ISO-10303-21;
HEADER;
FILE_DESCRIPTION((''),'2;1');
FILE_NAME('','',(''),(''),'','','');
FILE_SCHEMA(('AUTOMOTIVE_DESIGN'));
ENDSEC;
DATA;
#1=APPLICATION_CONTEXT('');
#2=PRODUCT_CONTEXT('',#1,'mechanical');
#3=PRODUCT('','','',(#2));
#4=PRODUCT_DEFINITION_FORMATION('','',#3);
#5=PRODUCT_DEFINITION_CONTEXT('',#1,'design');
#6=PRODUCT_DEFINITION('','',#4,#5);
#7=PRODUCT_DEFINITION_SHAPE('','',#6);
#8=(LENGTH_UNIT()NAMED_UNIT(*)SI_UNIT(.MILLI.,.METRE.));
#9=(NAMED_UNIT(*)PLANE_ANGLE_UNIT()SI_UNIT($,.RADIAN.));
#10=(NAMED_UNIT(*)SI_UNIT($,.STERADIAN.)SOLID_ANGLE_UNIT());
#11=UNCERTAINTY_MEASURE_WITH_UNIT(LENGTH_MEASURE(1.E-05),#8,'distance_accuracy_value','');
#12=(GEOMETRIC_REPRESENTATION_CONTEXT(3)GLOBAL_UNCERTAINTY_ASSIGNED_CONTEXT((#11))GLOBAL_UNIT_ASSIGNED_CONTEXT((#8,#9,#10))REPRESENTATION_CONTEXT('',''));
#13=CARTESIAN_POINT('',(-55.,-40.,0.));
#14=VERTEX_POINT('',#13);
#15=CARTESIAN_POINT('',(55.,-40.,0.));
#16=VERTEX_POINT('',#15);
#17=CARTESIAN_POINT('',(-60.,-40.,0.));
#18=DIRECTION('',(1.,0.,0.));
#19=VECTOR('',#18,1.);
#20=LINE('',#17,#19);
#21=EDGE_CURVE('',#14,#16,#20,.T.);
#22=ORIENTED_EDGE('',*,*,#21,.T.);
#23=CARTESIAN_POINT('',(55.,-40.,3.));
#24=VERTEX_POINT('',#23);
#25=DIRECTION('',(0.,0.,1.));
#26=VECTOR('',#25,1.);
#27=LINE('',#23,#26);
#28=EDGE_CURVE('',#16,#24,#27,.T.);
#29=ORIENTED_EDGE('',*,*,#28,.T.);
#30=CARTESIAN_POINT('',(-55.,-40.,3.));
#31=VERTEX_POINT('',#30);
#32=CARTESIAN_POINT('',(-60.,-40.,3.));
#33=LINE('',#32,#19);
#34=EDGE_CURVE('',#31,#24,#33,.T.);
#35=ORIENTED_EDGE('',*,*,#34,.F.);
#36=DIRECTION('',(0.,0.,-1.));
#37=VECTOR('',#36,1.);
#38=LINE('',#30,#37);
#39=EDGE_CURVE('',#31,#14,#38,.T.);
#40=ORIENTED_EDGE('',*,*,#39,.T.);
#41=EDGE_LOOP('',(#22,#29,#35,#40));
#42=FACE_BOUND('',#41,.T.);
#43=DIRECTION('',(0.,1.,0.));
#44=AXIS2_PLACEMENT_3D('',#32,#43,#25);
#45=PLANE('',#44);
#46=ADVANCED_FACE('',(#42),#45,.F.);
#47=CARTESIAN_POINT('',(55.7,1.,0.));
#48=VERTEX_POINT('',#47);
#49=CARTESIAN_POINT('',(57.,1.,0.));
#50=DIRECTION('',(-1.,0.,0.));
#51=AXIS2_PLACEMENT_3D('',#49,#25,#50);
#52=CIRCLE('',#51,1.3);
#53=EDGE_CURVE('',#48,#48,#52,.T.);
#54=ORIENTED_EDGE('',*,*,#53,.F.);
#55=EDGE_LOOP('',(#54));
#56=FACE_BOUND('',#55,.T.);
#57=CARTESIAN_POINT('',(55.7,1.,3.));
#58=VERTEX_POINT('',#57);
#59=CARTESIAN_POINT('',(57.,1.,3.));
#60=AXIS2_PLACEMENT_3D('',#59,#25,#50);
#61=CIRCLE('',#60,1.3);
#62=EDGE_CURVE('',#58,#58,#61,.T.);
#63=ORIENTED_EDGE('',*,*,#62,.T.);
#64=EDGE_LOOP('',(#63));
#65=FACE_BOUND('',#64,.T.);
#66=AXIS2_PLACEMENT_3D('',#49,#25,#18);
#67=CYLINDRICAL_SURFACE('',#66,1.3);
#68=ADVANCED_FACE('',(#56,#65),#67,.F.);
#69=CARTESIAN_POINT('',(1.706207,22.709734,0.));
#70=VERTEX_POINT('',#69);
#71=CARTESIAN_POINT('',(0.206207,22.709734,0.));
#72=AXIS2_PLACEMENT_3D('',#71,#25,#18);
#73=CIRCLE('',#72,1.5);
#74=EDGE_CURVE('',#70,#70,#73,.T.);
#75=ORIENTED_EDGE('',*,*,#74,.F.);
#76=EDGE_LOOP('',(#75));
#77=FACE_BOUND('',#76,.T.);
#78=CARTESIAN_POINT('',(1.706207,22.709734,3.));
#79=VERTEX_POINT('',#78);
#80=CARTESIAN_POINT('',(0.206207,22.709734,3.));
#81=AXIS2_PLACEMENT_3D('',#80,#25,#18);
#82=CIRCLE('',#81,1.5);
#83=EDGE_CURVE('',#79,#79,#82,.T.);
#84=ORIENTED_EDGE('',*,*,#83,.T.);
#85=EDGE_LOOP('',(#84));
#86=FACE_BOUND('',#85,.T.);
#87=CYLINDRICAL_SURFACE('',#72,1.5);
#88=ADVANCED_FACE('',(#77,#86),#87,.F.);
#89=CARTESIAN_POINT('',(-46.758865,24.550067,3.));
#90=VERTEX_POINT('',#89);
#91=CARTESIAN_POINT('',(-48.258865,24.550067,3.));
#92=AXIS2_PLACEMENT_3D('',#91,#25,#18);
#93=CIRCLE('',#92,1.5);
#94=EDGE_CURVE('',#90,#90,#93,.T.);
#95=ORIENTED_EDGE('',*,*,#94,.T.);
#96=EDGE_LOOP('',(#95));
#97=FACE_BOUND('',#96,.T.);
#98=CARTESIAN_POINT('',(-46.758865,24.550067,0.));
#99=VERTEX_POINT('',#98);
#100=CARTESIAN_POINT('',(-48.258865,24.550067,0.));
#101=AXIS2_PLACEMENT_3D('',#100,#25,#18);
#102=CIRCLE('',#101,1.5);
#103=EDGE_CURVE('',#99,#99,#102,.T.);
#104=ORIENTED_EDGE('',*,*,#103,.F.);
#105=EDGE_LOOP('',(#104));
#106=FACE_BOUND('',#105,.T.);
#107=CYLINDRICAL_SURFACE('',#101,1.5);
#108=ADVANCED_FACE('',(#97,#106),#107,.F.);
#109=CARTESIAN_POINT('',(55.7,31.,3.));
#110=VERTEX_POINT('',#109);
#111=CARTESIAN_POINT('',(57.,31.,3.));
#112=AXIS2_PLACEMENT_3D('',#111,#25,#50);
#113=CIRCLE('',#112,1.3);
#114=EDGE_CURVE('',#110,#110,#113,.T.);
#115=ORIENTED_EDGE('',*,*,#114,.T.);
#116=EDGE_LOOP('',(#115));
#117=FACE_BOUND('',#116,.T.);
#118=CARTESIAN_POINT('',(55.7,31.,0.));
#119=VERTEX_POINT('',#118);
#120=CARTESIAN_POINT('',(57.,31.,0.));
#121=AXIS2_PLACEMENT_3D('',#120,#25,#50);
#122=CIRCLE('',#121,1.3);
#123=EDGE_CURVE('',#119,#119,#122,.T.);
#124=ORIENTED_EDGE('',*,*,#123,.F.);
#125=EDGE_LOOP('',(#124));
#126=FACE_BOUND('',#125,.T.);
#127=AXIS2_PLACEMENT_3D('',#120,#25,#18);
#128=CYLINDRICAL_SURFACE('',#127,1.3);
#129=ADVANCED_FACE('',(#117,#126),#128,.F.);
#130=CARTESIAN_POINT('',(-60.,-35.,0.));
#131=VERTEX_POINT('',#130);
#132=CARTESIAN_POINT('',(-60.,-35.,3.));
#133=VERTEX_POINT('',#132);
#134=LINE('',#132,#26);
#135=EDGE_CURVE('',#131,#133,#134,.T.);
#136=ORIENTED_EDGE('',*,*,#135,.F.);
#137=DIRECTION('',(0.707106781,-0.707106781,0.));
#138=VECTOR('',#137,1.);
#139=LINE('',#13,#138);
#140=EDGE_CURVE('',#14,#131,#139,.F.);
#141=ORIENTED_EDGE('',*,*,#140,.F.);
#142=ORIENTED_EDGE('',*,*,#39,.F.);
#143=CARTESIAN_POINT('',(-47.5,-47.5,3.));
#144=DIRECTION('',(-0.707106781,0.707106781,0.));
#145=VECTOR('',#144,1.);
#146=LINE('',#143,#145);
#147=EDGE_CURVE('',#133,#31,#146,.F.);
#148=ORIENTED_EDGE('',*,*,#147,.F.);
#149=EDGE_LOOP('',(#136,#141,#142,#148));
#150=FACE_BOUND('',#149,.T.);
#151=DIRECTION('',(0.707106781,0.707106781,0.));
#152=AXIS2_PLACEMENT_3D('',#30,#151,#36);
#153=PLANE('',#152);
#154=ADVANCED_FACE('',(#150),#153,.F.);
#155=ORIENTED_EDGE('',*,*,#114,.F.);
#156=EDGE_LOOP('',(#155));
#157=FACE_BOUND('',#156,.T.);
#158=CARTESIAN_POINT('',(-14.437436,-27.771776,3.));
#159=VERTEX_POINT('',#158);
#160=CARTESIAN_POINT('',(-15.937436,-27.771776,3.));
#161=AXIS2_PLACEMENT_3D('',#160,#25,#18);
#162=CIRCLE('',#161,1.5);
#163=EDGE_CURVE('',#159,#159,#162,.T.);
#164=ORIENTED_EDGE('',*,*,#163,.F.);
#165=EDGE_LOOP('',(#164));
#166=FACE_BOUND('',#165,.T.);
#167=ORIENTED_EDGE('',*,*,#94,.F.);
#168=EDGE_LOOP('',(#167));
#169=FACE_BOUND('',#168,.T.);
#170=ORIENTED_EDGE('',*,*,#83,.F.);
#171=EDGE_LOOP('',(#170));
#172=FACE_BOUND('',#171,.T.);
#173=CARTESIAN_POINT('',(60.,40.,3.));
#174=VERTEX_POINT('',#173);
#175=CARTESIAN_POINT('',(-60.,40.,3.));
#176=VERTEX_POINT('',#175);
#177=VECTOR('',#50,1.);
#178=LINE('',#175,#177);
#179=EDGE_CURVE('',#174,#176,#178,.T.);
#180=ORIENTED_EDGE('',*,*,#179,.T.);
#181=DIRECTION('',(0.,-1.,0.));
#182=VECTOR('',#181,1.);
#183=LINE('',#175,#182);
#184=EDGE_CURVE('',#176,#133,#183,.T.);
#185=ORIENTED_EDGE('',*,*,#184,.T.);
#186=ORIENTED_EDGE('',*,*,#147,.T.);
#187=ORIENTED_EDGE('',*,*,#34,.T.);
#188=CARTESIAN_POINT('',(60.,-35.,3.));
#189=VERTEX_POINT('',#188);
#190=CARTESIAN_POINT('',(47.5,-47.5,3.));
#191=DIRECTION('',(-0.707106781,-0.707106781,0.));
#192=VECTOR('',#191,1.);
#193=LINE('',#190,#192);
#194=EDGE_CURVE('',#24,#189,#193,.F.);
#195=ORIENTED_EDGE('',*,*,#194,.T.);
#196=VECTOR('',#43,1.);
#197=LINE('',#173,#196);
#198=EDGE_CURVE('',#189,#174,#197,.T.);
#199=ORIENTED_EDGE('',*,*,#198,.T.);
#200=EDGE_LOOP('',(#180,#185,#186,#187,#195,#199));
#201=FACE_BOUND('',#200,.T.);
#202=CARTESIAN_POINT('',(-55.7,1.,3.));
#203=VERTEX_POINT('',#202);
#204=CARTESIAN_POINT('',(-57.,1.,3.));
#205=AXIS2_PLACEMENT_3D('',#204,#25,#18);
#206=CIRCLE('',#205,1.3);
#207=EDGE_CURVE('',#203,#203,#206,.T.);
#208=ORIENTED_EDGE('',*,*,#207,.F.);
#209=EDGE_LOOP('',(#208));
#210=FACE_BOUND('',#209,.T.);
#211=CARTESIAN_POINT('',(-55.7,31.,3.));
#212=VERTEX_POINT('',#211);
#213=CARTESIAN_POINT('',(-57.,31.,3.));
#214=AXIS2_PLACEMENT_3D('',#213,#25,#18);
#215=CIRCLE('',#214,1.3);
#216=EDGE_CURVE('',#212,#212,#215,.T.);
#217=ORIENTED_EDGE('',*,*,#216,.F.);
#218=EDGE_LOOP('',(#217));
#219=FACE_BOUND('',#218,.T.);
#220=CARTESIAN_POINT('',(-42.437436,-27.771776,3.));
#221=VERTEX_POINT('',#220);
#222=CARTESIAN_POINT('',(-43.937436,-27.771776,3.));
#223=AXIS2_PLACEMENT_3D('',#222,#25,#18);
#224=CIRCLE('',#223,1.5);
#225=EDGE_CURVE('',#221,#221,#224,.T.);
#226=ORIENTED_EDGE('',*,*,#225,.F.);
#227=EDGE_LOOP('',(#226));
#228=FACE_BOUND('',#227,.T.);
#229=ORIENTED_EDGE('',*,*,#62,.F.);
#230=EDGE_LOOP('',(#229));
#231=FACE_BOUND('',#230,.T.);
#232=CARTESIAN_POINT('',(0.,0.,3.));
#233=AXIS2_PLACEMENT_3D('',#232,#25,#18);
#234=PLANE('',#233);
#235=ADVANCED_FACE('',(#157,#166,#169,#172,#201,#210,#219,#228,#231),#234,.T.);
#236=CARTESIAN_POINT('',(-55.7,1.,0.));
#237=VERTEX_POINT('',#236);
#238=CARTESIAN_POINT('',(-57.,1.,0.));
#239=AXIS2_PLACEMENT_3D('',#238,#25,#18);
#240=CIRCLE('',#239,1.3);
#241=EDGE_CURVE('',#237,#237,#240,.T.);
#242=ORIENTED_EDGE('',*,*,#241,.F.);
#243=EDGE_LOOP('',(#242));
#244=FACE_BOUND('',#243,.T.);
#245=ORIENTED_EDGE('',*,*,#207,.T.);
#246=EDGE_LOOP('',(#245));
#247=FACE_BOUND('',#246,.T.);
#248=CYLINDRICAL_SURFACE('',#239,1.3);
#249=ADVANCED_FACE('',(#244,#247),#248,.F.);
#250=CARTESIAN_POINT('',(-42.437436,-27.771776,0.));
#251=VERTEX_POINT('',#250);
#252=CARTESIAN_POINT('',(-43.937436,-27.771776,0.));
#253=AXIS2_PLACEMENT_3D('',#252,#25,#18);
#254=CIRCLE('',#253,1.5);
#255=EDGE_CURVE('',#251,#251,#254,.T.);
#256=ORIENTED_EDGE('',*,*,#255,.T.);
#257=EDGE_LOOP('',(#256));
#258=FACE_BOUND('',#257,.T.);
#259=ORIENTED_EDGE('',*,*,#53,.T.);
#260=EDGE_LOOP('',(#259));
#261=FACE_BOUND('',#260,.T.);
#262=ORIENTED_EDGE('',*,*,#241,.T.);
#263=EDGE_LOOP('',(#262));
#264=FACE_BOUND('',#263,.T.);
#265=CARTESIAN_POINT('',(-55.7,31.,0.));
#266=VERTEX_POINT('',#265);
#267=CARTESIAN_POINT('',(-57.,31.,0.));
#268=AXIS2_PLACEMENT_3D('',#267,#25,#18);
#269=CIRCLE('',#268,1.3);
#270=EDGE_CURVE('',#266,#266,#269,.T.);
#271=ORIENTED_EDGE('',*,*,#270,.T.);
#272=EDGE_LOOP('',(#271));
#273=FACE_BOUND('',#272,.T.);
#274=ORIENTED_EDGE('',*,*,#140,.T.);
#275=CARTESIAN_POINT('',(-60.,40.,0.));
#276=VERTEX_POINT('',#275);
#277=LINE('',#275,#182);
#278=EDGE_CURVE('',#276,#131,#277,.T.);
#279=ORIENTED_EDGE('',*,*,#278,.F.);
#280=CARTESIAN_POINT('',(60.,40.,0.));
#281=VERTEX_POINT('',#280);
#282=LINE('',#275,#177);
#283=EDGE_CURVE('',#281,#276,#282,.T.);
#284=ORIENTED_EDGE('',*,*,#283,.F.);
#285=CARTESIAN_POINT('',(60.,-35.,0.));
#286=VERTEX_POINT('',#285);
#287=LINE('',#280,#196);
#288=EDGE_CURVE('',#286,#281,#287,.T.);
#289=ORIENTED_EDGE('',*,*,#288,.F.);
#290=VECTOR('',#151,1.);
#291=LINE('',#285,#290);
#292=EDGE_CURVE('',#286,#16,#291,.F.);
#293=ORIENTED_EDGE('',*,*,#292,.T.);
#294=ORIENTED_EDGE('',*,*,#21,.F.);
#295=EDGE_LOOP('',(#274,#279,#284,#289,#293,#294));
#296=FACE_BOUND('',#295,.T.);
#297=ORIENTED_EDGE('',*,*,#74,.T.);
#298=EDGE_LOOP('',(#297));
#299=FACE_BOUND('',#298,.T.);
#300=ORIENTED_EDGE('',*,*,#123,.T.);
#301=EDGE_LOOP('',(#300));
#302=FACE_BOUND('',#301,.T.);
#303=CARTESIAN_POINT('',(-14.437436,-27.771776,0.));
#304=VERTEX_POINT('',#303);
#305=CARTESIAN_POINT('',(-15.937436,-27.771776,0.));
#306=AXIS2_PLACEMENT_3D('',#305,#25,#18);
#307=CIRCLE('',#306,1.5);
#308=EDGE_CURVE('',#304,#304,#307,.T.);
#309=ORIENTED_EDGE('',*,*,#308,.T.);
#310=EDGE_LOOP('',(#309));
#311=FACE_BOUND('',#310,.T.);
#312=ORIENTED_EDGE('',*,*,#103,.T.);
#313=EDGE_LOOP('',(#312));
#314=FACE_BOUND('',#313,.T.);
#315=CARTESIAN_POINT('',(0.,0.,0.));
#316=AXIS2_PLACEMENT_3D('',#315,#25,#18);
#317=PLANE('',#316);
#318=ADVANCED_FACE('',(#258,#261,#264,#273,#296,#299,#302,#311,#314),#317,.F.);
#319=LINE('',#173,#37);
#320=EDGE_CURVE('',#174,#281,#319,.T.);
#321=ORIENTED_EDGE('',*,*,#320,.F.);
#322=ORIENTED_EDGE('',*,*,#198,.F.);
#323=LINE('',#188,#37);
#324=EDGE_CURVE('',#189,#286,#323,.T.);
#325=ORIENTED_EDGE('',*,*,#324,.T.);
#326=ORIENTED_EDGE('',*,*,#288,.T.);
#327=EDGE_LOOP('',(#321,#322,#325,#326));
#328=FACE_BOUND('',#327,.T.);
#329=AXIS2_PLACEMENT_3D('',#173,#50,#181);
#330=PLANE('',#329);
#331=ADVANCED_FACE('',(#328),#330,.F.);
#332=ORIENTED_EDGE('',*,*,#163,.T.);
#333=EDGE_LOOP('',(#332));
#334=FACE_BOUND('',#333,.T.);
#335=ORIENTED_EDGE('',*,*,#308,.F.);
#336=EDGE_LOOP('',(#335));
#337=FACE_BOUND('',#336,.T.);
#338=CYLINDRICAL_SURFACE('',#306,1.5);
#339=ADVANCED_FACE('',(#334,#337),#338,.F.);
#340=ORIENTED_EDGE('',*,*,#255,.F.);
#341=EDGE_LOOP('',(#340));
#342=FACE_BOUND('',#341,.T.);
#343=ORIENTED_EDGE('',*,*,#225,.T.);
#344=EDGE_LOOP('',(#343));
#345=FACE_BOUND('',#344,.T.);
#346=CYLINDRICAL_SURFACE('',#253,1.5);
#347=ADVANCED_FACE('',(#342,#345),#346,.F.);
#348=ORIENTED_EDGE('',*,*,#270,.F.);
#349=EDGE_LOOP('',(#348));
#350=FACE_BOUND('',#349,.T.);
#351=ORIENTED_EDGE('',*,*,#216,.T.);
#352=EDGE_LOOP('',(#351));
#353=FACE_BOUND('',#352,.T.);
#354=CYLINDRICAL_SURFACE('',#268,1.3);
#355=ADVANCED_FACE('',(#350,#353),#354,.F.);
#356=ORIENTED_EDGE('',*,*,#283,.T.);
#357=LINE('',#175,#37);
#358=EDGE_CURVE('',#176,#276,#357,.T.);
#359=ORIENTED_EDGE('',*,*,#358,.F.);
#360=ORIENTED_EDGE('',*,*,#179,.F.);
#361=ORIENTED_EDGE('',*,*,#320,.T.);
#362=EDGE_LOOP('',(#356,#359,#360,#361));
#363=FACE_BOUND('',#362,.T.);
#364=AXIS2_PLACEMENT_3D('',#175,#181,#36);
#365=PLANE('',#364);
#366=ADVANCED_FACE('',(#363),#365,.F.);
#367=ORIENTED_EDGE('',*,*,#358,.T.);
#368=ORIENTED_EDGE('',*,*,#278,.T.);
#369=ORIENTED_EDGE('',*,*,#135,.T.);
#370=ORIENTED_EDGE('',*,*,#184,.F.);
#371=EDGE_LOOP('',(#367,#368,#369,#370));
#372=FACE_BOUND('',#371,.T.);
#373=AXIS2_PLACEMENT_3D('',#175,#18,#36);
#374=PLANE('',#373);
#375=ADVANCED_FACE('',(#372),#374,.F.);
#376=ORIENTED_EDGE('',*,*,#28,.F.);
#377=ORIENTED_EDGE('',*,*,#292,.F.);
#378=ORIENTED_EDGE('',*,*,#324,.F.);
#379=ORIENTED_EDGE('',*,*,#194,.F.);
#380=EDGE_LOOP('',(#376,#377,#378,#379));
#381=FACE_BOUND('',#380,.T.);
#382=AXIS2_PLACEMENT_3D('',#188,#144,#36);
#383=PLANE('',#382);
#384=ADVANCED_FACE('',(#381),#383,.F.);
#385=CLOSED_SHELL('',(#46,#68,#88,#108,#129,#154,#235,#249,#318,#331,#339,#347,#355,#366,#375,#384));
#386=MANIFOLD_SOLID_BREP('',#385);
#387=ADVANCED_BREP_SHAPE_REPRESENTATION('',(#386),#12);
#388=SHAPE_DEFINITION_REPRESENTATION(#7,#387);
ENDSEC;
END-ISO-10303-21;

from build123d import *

# Parameters (mm, degrees)
SKETCH_1_W          = 120
SKETCH_1_H          = 80
EXTRUDE_1_DEPTH     = 3
SKETCH_2_R          = 1.3
CUT_EXTRUDE_1_DEPTH = 73.173402303
SKETCH_3_R          = 1.5
CUT_EXTRUDE_2_DEPTH = 73.173402303
CHAMFER_1_SIZE      = 5


with BuildPart() as part:
    # 草图1 → 凸台-拉伸1 (new body)
    with BuildSketch(Plane.XY):
        Rectangle(SKETCH_1_W, SKETCH_1_H)
    extrude(amount=EXTRUDE_1_DEPTH)

    # 草图2 → 切除-拉伸1 (cut, through all)
    with BuildSketch(Plane.XY.offset(3)):
        with Locations((-57, 31)):
            Circle(SKETCH_2_R)
        with Locations((-57, 1)):
            Circle(SKETCH_2_R)
        with Locations(Location((57, 31, 0), (0, 0, 180))):
            Circle(SKETCH_2_R)
        with Locations(Location((57, 1, 0), (0, 0, 180))):
            Circle(SKETCH_2_R)
    extrude(amount=-CUT_EXTRUDE_1_DEPTH, mode=Mode.SUBTRACT)

    # 草图3 → 切除-拉伸2 (cut, through all)
    with BuildSketch(Plane.XY.offset(3)):
        with Locations((-43.937436438, -27.771775862)):
            Circle(SKETCH_3_R)
        with Locations((-15.937436438, -27.771775862)):
            Circle(SKETCH_3_R)
        with Locations((-48.258865009, 24.55006714)):
            Circle(SKETCH_3_R)
        with Locations((0.206206662, 22.7097335)):
            Circle(SKETCH_3_R)
    extrude(amount=-CUT_EXTRUDE_2_DEPTH, mode=Mode.SUBTRACT)

    # 倒角1
    chamfer_1_edges = [part.edges().sort_by_distance(p)[0] for p in [
        (60, -40, 1.5),
        (-60, -40, 1.5),
    ]]
    chamfer(chamfer_1_edges, length=CHAMFER_1_SIZE)


solid = part.part
